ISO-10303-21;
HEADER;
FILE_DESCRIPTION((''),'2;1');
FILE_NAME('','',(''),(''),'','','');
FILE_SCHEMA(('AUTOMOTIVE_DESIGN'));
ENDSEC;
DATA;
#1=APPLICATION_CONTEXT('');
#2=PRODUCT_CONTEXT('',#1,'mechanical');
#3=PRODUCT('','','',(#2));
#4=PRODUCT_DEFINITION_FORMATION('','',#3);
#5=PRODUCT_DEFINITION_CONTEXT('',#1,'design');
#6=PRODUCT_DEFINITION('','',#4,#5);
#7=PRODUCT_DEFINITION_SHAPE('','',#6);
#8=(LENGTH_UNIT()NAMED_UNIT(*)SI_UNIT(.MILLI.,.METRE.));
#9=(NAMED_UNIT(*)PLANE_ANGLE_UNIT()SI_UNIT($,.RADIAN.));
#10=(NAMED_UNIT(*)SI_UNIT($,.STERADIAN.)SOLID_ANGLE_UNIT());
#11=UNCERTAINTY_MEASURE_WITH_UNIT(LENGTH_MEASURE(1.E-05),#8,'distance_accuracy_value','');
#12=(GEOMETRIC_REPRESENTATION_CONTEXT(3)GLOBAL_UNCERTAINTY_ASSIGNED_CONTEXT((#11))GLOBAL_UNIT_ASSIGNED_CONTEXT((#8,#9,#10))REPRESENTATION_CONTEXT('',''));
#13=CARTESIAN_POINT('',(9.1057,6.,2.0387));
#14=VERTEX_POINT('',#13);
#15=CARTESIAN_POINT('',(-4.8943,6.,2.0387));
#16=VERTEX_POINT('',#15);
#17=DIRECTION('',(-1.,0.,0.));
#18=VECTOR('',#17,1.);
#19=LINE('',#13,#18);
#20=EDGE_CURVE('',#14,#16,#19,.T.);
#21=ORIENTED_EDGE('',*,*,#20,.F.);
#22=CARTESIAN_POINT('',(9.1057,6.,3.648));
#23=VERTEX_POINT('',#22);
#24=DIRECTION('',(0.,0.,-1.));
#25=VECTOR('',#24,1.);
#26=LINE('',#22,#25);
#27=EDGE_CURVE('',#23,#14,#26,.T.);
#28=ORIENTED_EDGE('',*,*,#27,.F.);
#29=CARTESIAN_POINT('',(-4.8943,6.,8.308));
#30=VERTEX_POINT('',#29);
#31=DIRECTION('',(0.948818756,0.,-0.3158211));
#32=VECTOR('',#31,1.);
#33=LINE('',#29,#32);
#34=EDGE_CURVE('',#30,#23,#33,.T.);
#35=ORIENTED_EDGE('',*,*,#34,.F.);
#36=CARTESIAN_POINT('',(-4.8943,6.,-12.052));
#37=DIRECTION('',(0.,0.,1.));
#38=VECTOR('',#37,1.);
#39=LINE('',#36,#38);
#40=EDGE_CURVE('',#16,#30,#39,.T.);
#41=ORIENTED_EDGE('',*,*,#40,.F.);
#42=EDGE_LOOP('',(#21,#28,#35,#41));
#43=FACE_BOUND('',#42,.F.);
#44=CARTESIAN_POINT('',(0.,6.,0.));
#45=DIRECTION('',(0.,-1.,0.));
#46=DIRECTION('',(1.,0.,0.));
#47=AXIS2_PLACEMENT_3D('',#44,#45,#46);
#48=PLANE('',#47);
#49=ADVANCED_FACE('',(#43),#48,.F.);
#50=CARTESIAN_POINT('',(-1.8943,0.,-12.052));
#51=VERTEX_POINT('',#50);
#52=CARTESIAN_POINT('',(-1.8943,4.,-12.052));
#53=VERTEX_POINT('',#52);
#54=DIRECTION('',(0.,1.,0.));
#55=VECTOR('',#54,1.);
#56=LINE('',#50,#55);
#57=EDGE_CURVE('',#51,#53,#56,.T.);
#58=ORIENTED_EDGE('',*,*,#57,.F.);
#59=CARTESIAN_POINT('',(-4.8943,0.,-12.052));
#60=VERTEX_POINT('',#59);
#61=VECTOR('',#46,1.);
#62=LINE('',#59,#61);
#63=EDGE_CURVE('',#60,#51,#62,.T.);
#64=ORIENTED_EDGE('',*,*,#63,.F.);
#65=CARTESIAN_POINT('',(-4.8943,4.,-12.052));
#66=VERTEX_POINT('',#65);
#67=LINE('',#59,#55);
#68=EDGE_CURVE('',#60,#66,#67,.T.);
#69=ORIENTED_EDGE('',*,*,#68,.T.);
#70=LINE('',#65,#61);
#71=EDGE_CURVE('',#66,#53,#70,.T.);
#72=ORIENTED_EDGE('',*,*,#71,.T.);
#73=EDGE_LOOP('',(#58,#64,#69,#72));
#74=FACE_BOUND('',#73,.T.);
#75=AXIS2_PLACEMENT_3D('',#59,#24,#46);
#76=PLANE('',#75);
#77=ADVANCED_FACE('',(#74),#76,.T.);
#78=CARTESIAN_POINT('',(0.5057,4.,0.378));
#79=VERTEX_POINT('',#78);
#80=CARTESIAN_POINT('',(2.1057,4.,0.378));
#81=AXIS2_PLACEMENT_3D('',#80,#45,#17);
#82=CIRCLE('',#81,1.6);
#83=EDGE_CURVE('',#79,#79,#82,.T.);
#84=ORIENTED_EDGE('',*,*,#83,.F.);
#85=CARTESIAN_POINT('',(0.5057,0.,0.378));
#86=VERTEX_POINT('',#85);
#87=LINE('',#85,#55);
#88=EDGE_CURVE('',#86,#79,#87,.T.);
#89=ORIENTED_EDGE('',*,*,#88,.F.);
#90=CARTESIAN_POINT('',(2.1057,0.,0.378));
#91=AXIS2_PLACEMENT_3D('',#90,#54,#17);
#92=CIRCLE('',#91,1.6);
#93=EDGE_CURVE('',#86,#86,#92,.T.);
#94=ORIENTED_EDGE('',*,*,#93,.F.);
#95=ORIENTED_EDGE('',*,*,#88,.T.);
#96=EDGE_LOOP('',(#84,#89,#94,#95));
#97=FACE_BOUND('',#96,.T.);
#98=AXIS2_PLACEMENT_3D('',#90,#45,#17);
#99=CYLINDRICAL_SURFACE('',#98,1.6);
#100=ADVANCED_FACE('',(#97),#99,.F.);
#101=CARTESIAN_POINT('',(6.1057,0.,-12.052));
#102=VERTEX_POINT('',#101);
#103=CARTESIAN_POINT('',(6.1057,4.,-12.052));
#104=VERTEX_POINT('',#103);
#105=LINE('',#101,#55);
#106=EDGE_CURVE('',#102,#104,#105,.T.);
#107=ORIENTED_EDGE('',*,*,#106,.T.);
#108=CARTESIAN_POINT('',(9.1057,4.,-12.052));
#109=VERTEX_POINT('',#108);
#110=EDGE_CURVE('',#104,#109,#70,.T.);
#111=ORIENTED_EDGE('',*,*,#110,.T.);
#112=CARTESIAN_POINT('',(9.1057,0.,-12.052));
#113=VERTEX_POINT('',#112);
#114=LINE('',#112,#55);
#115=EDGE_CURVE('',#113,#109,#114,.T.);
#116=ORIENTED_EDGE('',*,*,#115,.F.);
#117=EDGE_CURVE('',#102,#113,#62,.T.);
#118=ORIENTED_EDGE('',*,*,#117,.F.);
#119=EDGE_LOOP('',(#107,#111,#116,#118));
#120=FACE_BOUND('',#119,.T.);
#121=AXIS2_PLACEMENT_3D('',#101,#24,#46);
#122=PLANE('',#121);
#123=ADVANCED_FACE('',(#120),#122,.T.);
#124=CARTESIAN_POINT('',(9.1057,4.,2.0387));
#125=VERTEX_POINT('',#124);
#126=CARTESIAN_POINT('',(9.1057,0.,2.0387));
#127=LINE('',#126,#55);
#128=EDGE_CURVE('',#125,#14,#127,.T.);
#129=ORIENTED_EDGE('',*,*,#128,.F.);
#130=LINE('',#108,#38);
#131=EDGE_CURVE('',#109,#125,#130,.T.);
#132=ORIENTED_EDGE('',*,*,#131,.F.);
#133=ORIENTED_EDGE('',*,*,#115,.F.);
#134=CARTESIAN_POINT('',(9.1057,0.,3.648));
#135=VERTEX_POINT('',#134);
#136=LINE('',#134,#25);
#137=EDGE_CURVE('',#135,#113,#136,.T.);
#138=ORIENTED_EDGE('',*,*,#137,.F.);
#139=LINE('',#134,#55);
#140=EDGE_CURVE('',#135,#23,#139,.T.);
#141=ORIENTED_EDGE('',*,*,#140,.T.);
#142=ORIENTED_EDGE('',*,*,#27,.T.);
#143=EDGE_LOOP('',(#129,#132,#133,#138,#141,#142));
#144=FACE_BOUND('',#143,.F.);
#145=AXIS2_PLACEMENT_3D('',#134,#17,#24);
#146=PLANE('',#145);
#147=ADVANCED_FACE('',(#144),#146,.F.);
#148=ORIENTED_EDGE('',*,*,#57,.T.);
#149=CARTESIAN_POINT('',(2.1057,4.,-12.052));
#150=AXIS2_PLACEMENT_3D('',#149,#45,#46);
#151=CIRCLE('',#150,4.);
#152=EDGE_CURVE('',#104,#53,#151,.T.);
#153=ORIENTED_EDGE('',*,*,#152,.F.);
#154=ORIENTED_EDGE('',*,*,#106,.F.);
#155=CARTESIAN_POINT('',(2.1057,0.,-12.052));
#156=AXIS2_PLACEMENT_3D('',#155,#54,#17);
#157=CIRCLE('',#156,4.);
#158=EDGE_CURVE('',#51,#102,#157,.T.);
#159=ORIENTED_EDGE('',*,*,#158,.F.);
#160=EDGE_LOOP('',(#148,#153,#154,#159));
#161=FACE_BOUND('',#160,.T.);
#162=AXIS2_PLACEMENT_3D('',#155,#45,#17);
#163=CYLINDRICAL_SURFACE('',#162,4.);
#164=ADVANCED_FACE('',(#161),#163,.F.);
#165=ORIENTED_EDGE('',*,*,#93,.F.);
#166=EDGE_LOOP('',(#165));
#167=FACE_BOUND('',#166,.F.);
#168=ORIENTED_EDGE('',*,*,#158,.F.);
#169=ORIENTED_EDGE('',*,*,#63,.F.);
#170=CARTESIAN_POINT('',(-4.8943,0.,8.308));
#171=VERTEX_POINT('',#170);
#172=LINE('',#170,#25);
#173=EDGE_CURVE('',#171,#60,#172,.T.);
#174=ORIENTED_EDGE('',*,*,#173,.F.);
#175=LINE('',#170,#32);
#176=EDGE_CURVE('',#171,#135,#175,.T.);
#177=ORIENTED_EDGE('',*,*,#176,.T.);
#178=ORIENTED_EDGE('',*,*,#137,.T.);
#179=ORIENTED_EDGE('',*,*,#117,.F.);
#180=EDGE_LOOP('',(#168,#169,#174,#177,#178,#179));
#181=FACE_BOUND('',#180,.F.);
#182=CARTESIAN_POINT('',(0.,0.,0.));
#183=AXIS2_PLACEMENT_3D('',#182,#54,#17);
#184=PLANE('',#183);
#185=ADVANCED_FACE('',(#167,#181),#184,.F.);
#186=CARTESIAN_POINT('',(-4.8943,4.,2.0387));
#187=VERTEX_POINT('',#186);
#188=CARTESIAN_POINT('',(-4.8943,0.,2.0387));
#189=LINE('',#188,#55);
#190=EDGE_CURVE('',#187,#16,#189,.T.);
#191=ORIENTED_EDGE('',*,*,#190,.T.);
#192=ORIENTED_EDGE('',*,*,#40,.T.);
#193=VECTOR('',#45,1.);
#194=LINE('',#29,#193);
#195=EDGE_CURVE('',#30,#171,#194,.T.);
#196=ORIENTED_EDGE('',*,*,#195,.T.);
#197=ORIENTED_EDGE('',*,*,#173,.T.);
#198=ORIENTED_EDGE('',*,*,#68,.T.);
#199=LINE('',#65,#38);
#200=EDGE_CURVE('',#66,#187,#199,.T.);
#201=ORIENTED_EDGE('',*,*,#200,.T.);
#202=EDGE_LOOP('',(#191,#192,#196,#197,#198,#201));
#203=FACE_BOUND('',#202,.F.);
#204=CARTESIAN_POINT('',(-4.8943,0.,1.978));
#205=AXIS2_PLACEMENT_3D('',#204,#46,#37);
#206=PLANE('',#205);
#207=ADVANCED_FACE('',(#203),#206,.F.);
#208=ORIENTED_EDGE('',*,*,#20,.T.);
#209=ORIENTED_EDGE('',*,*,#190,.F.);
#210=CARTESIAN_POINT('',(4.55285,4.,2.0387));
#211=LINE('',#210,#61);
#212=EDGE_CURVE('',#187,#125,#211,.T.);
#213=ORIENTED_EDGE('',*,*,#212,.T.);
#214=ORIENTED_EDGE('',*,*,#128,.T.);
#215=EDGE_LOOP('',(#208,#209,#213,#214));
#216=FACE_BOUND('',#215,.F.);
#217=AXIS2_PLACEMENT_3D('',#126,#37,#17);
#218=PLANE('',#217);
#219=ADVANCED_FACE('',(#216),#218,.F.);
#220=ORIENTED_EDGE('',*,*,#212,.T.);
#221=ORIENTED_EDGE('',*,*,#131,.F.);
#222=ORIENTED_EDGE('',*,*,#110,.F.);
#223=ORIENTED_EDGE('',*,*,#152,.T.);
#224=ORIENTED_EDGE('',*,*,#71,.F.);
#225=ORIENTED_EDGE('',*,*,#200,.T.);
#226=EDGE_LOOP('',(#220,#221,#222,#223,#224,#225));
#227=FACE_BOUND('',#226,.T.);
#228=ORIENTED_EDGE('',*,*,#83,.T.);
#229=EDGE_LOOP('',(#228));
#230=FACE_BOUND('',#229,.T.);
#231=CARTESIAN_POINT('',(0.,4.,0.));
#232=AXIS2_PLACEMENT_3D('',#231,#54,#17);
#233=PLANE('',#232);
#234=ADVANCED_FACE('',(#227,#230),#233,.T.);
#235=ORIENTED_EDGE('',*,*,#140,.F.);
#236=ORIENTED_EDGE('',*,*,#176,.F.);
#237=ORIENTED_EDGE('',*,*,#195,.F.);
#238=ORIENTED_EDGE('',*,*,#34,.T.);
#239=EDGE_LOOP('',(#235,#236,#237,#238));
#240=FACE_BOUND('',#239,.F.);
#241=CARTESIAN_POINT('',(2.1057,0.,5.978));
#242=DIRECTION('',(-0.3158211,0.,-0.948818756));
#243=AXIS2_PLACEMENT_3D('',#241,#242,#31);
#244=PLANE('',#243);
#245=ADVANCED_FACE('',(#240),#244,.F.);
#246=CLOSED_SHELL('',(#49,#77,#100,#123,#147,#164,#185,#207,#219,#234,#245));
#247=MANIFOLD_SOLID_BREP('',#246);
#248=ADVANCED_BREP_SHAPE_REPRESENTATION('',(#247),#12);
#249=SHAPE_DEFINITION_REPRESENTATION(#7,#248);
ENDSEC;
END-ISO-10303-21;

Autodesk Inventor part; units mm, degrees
ref_plane "YZ Plane" through (0, 0, 0) normal (1, 0, 0) x (0, 1, 0)
ref_plane "XZ Plane" through (0, 0, 0) normal (0, 1, 0) x (-1, 0, 0)
ref_plane "XY Plane" through (0, 0, 0) normal (0, 0, 1) x (1, 0, 0)
sketch "Sketch1" plane through (0, 0, 0) normal (0, 1, 0) x (-1, 0, 0)
  line L0 (-9.1057, 3.648) -> (-9.1057, -9.552)
  line L1 (4.8943, -9.552) -> (4.8943, 8.308)
  line L2 (4.8943, 8.308) -> (-9.1057, 3.648)
  line L3 (-2.1057, 5.978) -> (-2.1057, 1.978)
  circle A0 centre (-2.1057, 0.378) radius 1.6
  line L4 (4.8943, -9.552) -> (4.8943, -12.052)
  line L5 (-9.1057, -9.552) -> (-9.1057, -12.052)
  line L6 (4.8943, -12.052) -> (-9.1057, -12.052)
  circle A1 centre (-2.1057, -12.052) radius 4
  line L7 (-2.1057, -1.222) -> (-2.1057, -8.052)
  line L8 (4.8943, 1.978) -> (-2.1057, 1.978)
  line L9 (-9.1057, 1.978) -> (-2.1057, 1.978)
  point P0 (0, 0)
  point P1 (1.8943, -12.052)
  point P2 (-6.1057, -12.052)
  dimension "d8" = 3.2
  dimension "d19" = 8
  dimension "d5" = 13.2
  dimension "d6" = 4
  dimension "d10" = 17.86
  dimension "d13" = 14
  dimension "d16" = 2.5
extrude "Extrusion2" add sketch "Sketch1" along normal blind 4 contours L2 L3 L9 L0 | L9 A0 L7 A1 L6 L5 L0 | L2 L1 L8 L3 | L8 L1 L4 L6 A1 L7 A0
sketch "Sketch2" plane through (0, 0, 0) normal (0, -1, 0) x (1, 0, 0)
  line L0 (9.1057, 3.648) -> (9.1057, -12.052) projected
  line L1 (9.1057, 2.0387) -> (-4.8943, 2.0387)
  line L2 (-4.8943, -12.052) -> (-4.8943, 8.308) projected
  line L3 (-4.8943, 2.0387) -> (-4.8943, 8.308)
  line L4 (-4.8943, 8.308) -> (9.1057, 3.648) projected
  line L5 (-4.8943, 8.308) -> (9.1057, 3.648)
  line L6 (9.1057, 3.648) -> (9.1057, 2.0387)
  point P0 (0, 0)
extrude "Extrusion3" add sketch "Sketch2" against normal blind 6
properties part number "plungerholdermod2"
